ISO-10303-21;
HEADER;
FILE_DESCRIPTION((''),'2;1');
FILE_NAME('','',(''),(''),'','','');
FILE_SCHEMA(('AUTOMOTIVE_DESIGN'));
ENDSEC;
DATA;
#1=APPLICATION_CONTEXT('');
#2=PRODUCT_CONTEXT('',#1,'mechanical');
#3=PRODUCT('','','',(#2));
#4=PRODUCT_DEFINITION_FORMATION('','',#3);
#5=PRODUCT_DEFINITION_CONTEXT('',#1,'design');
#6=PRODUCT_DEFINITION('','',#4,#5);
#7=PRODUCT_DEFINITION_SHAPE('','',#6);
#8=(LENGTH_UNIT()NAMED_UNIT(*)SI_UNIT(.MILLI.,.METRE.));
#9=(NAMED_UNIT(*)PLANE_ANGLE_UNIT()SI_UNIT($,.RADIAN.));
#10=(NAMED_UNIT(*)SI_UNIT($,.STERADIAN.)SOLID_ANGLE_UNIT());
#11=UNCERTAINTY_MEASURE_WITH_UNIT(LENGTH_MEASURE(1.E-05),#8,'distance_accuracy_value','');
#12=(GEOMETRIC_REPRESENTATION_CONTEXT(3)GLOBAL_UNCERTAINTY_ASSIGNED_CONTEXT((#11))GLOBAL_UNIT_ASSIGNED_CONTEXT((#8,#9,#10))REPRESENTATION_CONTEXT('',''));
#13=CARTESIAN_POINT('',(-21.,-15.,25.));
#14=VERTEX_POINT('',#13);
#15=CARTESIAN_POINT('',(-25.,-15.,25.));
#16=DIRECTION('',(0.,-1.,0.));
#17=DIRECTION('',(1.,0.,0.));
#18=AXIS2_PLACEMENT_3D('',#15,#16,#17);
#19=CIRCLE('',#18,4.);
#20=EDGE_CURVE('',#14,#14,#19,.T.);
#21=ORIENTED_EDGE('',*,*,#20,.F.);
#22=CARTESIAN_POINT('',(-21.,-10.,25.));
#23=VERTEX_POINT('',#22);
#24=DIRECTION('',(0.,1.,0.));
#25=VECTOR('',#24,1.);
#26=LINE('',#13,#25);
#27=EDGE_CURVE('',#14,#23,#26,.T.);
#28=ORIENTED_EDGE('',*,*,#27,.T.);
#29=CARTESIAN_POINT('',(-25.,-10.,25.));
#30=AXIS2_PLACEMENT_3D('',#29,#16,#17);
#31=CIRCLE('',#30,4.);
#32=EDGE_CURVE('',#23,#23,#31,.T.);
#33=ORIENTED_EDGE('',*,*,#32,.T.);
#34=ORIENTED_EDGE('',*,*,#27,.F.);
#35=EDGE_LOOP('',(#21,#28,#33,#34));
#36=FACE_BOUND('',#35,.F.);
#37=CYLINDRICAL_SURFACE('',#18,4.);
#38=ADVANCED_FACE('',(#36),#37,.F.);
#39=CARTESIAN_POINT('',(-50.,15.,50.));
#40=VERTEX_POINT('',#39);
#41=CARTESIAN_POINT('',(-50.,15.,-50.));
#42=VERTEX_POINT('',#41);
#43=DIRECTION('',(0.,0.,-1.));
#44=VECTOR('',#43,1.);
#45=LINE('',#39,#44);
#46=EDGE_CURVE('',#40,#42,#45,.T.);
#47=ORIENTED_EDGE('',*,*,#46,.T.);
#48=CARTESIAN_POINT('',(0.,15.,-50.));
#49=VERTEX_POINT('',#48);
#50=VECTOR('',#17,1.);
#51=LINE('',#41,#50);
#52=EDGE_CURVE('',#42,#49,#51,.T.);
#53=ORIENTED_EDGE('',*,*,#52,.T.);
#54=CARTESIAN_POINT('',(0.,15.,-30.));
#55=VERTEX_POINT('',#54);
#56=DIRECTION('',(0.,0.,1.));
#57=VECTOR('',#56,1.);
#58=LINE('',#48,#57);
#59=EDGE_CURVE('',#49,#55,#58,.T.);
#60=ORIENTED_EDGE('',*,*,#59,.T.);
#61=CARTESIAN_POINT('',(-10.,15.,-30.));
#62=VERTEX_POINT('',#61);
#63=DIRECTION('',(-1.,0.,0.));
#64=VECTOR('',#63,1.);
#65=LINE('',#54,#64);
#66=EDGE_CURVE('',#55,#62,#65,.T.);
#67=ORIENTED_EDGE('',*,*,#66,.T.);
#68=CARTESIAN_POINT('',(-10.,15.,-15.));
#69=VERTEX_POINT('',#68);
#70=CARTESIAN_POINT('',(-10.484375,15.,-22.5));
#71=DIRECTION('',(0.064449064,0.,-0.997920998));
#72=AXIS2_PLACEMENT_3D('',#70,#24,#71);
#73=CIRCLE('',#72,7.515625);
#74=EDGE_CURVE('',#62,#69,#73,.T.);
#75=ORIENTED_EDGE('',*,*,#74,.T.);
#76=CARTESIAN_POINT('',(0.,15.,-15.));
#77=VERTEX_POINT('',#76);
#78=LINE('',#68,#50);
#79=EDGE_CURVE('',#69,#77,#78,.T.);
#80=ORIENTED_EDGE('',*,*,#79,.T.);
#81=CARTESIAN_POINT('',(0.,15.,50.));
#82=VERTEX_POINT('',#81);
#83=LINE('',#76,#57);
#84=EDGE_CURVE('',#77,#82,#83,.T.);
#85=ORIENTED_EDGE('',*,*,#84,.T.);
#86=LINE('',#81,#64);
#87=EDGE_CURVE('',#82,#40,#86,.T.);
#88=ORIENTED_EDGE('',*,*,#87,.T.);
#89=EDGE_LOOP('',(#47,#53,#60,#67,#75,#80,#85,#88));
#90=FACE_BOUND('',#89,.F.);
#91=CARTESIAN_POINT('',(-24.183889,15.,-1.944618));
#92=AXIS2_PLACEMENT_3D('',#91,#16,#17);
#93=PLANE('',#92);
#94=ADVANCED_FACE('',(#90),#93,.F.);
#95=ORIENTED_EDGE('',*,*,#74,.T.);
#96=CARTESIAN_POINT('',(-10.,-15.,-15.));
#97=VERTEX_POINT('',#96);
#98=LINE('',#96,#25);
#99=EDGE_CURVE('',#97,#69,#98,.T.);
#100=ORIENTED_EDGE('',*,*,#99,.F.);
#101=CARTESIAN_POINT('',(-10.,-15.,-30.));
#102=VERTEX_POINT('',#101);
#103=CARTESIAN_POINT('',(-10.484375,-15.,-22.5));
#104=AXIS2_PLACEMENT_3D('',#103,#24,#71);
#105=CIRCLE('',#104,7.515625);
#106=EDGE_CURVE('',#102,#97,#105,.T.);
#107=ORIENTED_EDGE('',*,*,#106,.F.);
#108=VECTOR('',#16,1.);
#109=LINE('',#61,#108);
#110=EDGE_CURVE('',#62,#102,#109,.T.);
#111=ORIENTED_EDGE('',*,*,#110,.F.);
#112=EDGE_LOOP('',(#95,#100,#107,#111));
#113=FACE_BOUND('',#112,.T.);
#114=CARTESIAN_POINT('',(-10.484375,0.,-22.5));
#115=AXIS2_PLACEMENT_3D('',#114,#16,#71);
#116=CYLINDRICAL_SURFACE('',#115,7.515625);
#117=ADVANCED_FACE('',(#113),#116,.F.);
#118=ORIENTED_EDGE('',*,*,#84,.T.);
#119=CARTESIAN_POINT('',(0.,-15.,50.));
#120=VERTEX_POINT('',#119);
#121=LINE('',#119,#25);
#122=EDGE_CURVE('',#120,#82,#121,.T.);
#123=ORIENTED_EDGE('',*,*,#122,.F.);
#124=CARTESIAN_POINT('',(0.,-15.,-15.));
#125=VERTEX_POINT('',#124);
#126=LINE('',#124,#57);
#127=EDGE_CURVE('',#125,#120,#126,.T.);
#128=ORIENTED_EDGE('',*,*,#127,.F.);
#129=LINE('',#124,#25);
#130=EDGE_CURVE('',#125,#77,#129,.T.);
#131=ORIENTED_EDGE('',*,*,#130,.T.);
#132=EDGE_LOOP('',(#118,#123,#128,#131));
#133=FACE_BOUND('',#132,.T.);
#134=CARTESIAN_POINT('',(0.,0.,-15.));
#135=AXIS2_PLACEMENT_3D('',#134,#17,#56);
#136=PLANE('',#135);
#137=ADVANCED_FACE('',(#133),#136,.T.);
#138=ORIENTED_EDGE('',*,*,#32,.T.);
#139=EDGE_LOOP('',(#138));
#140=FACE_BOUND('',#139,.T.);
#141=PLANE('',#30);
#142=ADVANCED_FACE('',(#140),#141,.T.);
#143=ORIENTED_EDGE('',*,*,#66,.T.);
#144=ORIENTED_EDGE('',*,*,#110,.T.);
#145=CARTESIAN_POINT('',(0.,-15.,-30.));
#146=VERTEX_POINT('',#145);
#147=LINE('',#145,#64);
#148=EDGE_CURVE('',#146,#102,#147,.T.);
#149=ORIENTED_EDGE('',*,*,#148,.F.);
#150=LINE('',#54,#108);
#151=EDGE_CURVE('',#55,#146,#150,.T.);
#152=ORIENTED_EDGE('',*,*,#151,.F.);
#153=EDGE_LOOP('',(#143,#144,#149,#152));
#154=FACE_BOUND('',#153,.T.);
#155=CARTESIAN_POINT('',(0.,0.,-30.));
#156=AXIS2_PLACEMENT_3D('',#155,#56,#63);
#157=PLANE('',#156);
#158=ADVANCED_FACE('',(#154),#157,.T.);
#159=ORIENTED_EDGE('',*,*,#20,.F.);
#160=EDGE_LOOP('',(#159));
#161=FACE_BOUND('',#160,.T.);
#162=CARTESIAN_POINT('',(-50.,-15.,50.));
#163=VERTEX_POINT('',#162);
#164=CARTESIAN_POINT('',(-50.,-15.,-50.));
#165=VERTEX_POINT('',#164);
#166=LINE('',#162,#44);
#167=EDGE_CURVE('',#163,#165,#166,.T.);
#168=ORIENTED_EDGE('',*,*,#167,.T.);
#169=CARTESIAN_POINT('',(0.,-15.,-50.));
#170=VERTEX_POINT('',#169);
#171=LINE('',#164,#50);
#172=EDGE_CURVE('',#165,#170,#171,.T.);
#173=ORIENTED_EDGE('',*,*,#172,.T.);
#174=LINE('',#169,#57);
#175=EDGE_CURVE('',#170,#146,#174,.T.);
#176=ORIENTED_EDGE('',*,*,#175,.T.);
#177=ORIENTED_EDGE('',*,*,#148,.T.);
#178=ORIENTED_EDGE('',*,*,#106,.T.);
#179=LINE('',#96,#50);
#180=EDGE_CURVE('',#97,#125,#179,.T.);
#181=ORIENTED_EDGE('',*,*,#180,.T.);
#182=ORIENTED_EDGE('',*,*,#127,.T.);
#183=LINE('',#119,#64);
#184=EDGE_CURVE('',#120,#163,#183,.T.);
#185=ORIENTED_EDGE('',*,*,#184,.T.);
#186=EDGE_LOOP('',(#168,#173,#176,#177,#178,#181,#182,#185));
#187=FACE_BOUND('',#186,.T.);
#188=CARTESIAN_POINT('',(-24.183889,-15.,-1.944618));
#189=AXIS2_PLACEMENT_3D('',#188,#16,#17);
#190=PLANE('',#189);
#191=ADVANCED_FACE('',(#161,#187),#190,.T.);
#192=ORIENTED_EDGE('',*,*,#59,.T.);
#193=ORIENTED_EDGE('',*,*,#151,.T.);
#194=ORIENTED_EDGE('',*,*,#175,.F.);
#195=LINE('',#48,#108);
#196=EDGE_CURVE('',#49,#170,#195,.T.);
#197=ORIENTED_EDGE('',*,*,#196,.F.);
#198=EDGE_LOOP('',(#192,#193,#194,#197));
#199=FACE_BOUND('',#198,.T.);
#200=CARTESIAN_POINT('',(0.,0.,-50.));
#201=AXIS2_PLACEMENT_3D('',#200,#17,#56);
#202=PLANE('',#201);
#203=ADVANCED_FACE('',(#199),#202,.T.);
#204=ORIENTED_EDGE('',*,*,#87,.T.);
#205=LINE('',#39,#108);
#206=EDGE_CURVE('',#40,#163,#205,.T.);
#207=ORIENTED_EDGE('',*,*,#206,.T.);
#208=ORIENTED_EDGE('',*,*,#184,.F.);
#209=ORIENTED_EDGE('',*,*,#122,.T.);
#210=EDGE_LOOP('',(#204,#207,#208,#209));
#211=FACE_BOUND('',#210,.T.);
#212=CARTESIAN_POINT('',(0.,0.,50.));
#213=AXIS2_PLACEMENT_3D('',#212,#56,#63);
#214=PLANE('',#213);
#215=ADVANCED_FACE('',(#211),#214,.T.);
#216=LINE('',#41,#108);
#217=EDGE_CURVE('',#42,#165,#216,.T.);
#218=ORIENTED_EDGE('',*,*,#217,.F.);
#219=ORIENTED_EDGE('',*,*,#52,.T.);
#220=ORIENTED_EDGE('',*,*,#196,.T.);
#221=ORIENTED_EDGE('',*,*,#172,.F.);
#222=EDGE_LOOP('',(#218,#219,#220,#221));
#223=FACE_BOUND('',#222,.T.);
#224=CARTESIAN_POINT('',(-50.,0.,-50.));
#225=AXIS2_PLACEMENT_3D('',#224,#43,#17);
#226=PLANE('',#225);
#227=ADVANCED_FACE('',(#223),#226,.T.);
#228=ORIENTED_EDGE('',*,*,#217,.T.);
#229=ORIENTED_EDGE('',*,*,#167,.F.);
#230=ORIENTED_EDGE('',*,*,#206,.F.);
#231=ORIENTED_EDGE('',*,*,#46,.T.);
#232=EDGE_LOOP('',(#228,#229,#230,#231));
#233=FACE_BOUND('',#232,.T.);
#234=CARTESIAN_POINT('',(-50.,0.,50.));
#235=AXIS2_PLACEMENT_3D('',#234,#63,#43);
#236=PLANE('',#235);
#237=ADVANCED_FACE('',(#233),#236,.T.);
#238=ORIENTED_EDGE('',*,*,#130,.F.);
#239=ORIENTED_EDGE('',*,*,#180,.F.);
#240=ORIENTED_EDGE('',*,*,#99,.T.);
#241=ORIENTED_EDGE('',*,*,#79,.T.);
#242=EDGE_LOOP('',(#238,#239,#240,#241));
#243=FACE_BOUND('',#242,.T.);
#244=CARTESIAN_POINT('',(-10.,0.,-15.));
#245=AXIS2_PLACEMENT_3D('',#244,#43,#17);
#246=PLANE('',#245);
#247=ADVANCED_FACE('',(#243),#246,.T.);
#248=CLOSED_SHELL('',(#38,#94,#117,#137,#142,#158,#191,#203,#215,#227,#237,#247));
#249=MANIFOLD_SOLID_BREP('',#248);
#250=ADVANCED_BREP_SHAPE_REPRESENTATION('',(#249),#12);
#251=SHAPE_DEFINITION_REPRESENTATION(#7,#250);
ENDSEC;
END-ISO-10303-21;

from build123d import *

# Parameters (mm, degrees)
F1_DEPTH = 15
F2_R     = 4
F3_DEPTH = 5


with BuildPart() as f1:
    # F0 (on Front) → F1 (new body, symmetric)
    with BuildSketch(Plane.XZ):
        with BuildLine():
            Line((0, 50), (-50, 50))
            Line((-50, 50), (-50, -50))
            Line((-50, -50), (0, -50))
            Line((0, -50), (0, -30))
            Line((0, -30), (-10, -30))
            ThreePointArc((-10, -30), (-18, -22.5), (-10, -15))
            Line((-10, -15), (0, -15))
            Line((0, -15), (0, 50))
        make_face()
    extrude(amount=F1_DEPTH, both=True)

    # F2 (on face) → F3 (cut)
    with BuildSketch(Plane.XZ.offset(15)):
        with Locations((-25, 25)):
            Circle(F2_R)
    extrude(amount=-F3_DEPTH, mode=Mode.SUBTRACT)


solid = f1.part
